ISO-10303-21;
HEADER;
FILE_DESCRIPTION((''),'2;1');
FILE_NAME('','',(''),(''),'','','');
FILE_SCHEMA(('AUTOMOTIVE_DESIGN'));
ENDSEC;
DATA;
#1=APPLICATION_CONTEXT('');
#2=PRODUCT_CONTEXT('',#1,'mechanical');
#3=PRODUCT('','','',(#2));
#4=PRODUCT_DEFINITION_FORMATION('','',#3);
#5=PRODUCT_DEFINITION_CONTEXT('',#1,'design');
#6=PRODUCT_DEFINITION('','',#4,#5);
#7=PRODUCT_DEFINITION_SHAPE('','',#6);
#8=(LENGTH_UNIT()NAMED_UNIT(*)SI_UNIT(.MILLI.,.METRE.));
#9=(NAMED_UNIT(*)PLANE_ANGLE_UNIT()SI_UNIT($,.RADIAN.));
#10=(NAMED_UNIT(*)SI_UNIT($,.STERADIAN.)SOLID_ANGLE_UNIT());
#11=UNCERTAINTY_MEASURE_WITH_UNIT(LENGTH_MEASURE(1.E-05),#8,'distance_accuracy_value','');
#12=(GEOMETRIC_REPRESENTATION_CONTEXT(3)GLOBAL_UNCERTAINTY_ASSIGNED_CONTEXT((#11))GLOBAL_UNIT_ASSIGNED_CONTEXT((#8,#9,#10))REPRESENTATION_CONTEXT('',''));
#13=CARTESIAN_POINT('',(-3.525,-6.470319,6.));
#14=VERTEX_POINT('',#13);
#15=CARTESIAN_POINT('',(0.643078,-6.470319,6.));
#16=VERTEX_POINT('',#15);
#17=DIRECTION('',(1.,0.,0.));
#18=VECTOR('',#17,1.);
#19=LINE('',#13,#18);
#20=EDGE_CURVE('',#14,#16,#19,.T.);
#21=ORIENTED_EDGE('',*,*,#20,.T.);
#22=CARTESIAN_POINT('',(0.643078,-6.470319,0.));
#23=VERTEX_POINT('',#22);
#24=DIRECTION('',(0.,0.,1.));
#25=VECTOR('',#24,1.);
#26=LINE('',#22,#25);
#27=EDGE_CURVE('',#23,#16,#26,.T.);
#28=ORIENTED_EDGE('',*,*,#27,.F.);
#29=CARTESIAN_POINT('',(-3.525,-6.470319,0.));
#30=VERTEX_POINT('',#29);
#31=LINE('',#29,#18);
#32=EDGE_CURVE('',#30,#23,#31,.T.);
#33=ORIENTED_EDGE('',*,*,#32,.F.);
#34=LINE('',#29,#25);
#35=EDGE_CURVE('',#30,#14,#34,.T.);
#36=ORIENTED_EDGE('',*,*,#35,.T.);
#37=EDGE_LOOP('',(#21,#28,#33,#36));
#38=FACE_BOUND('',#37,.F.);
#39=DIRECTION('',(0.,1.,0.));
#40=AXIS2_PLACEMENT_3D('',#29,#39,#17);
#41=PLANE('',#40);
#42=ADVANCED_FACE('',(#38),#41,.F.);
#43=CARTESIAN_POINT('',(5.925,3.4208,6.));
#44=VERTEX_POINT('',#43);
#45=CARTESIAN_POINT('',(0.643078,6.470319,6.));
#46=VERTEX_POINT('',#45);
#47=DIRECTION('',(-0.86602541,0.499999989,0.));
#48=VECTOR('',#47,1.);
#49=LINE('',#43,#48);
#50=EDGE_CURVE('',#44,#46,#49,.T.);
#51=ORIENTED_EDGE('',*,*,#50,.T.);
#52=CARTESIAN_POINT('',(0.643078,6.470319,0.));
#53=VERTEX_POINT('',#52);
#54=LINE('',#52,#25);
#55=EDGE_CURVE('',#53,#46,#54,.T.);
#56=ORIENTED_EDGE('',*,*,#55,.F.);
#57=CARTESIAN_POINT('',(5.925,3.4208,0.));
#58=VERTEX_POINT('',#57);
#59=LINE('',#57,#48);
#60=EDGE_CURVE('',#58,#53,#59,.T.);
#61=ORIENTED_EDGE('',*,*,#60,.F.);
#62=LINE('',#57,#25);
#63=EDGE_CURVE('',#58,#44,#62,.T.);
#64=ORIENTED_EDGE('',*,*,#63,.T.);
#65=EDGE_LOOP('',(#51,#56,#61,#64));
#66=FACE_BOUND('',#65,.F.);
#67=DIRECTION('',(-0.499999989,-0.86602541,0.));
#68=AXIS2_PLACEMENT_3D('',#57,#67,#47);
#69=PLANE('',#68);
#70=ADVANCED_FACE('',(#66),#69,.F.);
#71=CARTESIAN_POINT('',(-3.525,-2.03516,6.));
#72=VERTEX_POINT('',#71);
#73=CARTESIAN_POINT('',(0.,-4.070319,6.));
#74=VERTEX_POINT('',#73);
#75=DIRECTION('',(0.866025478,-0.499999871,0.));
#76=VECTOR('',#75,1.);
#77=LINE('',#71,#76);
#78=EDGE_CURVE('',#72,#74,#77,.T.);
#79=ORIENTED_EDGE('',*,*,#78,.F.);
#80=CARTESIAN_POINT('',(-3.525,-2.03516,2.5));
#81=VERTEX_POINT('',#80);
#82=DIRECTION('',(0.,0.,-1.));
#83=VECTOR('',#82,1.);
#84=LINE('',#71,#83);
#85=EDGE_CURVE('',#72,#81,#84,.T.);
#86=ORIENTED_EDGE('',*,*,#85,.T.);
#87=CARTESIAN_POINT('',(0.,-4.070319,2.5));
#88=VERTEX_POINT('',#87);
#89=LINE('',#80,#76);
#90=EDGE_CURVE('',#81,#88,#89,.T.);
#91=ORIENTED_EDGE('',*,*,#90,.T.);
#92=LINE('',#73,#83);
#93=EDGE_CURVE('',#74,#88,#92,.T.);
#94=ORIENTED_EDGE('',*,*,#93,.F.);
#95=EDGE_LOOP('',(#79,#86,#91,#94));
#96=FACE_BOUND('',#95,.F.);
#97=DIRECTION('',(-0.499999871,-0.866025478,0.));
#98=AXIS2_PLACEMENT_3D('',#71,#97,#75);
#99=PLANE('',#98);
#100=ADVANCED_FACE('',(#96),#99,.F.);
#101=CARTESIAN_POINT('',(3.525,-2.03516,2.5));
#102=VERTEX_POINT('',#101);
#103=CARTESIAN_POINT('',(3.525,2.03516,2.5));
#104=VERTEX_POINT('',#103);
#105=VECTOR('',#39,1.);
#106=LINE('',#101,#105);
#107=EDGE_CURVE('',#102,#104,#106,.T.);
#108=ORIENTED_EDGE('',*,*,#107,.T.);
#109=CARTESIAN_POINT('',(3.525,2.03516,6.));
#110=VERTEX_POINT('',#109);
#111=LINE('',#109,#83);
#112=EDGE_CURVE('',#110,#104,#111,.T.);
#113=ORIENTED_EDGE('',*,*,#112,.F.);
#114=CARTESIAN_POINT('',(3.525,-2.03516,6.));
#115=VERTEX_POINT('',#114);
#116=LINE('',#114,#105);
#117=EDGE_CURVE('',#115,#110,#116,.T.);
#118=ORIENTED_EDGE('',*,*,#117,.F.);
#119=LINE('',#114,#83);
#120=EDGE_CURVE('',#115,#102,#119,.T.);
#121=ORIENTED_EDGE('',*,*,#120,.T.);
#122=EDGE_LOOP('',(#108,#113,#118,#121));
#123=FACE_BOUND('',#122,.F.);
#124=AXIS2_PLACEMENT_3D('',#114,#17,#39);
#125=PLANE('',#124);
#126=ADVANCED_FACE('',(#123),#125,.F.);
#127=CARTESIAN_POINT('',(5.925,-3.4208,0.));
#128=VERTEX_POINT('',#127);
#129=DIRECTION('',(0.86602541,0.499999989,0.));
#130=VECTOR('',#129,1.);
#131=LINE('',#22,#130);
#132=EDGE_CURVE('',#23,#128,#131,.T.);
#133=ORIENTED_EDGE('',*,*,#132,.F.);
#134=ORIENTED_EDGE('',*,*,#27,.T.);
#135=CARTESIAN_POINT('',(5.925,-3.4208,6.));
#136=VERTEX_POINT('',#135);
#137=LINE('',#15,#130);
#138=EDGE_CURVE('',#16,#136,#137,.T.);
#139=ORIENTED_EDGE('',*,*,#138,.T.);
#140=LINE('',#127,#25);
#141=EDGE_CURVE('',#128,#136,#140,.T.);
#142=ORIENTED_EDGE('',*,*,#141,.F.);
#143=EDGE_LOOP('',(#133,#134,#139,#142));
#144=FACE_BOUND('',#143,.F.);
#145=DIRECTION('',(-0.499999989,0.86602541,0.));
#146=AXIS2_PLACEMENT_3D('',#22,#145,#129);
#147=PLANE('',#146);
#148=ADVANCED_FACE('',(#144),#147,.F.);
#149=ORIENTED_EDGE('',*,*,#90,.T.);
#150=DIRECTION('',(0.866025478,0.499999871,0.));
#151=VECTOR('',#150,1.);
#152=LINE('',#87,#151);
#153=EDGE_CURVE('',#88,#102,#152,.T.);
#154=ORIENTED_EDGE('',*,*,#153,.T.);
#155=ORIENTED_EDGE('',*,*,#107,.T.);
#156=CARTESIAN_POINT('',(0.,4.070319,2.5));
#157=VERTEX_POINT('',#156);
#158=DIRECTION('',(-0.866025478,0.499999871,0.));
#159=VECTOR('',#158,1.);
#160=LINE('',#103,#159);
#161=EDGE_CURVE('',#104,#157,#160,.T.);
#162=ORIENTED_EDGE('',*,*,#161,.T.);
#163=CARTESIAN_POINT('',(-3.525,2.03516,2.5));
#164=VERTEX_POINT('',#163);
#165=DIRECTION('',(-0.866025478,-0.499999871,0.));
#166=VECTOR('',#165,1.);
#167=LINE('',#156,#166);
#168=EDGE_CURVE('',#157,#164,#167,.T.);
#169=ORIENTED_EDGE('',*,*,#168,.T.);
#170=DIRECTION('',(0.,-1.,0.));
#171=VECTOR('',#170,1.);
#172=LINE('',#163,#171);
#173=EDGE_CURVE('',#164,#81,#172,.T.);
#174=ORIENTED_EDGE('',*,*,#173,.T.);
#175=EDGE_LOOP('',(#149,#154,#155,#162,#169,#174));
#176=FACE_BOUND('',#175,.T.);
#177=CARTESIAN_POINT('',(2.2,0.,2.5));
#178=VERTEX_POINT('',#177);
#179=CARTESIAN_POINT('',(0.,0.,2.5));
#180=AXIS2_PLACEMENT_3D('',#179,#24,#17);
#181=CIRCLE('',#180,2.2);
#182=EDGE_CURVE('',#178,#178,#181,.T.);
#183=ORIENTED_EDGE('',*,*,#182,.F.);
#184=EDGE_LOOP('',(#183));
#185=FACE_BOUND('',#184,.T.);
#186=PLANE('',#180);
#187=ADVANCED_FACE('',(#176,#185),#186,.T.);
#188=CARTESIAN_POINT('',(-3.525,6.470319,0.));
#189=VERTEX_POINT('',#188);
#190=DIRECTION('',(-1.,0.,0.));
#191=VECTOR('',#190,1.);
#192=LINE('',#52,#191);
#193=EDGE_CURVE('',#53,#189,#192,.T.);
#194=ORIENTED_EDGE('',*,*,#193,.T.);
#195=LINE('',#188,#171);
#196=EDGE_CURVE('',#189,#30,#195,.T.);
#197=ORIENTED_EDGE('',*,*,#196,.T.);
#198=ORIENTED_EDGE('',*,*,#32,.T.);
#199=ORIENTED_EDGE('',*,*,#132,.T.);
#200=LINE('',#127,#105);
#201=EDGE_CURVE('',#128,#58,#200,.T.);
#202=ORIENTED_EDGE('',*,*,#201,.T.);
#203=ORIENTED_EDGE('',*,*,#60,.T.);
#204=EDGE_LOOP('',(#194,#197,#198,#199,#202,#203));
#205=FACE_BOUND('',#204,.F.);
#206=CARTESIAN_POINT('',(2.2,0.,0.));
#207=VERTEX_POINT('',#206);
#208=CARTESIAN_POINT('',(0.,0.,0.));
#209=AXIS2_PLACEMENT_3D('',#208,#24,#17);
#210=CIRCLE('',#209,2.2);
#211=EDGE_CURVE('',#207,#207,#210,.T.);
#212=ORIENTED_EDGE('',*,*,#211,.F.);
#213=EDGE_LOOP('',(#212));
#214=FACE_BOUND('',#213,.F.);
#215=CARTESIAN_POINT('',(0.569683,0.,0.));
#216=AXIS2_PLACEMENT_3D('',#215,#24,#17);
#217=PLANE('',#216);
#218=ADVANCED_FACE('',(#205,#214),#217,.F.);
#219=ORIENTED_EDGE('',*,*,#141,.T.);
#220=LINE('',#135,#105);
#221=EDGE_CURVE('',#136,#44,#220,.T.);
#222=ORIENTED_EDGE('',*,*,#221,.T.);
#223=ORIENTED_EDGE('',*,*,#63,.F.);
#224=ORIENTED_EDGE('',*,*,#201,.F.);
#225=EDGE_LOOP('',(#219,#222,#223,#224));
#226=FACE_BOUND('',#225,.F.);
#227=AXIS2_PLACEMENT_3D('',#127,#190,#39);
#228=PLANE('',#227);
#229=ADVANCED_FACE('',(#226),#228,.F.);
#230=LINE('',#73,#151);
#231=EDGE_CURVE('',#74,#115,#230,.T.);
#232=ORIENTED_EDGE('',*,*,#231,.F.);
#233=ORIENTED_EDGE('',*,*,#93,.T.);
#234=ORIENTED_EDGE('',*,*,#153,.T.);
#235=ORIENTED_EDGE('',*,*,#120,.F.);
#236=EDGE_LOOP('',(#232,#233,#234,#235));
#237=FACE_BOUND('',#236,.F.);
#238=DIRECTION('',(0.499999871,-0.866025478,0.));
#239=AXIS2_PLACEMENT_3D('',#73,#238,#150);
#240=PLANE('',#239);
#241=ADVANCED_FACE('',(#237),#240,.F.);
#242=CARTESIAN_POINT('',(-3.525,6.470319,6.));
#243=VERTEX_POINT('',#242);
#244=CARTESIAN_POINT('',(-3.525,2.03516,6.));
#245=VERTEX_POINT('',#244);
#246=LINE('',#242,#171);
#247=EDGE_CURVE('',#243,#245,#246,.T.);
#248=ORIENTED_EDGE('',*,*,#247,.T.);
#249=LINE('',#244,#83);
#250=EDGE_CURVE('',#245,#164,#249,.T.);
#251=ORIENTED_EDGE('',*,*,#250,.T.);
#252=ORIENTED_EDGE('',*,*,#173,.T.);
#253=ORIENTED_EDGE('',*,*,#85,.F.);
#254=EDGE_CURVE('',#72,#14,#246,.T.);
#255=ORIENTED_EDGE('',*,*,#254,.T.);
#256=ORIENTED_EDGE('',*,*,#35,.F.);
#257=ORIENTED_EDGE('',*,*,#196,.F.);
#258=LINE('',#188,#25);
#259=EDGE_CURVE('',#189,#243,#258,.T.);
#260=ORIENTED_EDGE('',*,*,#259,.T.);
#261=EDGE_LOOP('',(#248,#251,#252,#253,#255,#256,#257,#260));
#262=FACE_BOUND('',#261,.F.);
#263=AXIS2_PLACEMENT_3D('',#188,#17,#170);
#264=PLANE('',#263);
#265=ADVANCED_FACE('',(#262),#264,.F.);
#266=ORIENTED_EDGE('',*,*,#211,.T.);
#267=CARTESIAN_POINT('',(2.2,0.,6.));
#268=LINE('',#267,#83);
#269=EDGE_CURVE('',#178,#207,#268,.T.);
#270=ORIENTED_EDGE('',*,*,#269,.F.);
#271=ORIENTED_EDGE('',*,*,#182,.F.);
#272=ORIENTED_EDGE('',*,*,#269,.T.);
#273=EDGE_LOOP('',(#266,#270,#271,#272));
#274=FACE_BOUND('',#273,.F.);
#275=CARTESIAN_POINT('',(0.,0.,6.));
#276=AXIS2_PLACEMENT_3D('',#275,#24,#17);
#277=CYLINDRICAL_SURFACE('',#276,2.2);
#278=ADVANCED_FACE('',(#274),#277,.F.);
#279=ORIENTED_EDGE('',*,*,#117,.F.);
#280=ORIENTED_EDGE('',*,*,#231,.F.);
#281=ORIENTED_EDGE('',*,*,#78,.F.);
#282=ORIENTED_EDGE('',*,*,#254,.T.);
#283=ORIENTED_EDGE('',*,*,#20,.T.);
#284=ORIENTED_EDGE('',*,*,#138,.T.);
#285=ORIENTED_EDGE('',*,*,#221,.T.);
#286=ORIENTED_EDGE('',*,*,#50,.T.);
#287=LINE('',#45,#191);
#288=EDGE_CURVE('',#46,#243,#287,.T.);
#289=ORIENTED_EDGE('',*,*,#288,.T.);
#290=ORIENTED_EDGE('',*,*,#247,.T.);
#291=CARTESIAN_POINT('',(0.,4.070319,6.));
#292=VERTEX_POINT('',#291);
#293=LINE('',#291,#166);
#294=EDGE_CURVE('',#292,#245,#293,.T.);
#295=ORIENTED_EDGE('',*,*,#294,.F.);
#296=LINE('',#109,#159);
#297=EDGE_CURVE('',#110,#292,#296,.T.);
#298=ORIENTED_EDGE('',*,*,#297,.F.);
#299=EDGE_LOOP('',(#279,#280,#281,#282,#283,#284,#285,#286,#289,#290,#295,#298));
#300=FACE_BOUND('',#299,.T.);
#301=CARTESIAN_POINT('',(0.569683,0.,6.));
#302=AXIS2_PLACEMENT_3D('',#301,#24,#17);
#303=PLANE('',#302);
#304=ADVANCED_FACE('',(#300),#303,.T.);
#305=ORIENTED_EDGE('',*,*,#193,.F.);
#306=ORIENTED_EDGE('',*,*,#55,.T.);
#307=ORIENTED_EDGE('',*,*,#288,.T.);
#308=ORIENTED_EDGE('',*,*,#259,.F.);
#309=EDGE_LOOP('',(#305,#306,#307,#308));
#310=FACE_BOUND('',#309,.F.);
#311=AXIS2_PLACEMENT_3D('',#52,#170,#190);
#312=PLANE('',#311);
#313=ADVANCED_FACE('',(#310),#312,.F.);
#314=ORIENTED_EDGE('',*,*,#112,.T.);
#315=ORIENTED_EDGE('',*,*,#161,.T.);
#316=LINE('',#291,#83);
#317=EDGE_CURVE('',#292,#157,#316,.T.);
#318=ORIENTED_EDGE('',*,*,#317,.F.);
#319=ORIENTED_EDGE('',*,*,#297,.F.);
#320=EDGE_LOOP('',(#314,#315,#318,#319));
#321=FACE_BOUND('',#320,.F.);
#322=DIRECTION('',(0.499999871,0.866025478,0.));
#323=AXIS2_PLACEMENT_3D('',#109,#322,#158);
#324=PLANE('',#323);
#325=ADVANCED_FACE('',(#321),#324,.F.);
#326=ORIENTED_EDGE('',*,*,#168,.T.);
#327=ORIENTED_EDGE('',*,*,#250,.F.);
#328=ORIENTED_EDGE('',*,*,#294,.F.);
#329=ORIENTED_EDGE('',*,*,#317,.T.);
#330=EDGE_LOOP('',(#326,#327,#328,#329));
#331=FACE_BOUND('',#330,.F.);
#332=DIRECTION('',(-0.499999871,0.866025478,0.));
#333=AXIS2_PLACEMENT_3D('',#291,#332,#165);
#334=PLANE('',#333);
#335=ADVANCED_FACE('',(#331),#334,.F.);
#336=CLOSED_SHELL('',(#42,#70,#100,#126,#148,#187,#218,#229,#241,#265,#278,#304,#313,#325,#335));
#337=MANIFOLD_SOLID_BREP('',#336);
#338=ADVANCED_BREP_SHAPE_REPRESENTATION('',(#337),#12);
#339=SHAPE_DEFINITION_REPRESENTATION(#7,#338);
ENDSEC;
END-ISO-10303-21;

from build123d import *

# Parameters (mm, degrees)
PAD_DEPTH       = 6
SKETCH001_R     = 2.2
POCKET_DEPTH    = 6.001
POCKET001_DEPTH = 3.5


with BuildPart() as part:
    # Sketch → Pad (new body)
    with BuildSketch(Plane.XY):
        Polygon((-3.525, 6.470319), (-3.525, -6.470319), (0.643078, -6.470319), (5.925, -3.4208), (5.925, 3.4208), (0.643078, 6.470319), align=None)
    extrude(amount=PAD_DEPTH)

    # Sketch001 → Pocket (cut, through all)
    with BuildSketch(Plane.XY.offset(6)):
        Circle(SKETCH001_R)
    extrude(amount=-POCKET_DEPTH, mode=Mode.SUBTRACT)

    # Sketch002 → Pocket001 (cut)
    with BuildSketch(Plane.XY.offset(6)):
        Polygon((0, -4.070319), (3.525, -2.03516), (3.525, 2.03516), (0, 4.070319), (-3.525, 2.03516), (-3.525, -2.03516), align=None)
    extrude(amount=-POCKET001_DEPTH, mode=Mode.SUBTRACT)


solid = part.part
